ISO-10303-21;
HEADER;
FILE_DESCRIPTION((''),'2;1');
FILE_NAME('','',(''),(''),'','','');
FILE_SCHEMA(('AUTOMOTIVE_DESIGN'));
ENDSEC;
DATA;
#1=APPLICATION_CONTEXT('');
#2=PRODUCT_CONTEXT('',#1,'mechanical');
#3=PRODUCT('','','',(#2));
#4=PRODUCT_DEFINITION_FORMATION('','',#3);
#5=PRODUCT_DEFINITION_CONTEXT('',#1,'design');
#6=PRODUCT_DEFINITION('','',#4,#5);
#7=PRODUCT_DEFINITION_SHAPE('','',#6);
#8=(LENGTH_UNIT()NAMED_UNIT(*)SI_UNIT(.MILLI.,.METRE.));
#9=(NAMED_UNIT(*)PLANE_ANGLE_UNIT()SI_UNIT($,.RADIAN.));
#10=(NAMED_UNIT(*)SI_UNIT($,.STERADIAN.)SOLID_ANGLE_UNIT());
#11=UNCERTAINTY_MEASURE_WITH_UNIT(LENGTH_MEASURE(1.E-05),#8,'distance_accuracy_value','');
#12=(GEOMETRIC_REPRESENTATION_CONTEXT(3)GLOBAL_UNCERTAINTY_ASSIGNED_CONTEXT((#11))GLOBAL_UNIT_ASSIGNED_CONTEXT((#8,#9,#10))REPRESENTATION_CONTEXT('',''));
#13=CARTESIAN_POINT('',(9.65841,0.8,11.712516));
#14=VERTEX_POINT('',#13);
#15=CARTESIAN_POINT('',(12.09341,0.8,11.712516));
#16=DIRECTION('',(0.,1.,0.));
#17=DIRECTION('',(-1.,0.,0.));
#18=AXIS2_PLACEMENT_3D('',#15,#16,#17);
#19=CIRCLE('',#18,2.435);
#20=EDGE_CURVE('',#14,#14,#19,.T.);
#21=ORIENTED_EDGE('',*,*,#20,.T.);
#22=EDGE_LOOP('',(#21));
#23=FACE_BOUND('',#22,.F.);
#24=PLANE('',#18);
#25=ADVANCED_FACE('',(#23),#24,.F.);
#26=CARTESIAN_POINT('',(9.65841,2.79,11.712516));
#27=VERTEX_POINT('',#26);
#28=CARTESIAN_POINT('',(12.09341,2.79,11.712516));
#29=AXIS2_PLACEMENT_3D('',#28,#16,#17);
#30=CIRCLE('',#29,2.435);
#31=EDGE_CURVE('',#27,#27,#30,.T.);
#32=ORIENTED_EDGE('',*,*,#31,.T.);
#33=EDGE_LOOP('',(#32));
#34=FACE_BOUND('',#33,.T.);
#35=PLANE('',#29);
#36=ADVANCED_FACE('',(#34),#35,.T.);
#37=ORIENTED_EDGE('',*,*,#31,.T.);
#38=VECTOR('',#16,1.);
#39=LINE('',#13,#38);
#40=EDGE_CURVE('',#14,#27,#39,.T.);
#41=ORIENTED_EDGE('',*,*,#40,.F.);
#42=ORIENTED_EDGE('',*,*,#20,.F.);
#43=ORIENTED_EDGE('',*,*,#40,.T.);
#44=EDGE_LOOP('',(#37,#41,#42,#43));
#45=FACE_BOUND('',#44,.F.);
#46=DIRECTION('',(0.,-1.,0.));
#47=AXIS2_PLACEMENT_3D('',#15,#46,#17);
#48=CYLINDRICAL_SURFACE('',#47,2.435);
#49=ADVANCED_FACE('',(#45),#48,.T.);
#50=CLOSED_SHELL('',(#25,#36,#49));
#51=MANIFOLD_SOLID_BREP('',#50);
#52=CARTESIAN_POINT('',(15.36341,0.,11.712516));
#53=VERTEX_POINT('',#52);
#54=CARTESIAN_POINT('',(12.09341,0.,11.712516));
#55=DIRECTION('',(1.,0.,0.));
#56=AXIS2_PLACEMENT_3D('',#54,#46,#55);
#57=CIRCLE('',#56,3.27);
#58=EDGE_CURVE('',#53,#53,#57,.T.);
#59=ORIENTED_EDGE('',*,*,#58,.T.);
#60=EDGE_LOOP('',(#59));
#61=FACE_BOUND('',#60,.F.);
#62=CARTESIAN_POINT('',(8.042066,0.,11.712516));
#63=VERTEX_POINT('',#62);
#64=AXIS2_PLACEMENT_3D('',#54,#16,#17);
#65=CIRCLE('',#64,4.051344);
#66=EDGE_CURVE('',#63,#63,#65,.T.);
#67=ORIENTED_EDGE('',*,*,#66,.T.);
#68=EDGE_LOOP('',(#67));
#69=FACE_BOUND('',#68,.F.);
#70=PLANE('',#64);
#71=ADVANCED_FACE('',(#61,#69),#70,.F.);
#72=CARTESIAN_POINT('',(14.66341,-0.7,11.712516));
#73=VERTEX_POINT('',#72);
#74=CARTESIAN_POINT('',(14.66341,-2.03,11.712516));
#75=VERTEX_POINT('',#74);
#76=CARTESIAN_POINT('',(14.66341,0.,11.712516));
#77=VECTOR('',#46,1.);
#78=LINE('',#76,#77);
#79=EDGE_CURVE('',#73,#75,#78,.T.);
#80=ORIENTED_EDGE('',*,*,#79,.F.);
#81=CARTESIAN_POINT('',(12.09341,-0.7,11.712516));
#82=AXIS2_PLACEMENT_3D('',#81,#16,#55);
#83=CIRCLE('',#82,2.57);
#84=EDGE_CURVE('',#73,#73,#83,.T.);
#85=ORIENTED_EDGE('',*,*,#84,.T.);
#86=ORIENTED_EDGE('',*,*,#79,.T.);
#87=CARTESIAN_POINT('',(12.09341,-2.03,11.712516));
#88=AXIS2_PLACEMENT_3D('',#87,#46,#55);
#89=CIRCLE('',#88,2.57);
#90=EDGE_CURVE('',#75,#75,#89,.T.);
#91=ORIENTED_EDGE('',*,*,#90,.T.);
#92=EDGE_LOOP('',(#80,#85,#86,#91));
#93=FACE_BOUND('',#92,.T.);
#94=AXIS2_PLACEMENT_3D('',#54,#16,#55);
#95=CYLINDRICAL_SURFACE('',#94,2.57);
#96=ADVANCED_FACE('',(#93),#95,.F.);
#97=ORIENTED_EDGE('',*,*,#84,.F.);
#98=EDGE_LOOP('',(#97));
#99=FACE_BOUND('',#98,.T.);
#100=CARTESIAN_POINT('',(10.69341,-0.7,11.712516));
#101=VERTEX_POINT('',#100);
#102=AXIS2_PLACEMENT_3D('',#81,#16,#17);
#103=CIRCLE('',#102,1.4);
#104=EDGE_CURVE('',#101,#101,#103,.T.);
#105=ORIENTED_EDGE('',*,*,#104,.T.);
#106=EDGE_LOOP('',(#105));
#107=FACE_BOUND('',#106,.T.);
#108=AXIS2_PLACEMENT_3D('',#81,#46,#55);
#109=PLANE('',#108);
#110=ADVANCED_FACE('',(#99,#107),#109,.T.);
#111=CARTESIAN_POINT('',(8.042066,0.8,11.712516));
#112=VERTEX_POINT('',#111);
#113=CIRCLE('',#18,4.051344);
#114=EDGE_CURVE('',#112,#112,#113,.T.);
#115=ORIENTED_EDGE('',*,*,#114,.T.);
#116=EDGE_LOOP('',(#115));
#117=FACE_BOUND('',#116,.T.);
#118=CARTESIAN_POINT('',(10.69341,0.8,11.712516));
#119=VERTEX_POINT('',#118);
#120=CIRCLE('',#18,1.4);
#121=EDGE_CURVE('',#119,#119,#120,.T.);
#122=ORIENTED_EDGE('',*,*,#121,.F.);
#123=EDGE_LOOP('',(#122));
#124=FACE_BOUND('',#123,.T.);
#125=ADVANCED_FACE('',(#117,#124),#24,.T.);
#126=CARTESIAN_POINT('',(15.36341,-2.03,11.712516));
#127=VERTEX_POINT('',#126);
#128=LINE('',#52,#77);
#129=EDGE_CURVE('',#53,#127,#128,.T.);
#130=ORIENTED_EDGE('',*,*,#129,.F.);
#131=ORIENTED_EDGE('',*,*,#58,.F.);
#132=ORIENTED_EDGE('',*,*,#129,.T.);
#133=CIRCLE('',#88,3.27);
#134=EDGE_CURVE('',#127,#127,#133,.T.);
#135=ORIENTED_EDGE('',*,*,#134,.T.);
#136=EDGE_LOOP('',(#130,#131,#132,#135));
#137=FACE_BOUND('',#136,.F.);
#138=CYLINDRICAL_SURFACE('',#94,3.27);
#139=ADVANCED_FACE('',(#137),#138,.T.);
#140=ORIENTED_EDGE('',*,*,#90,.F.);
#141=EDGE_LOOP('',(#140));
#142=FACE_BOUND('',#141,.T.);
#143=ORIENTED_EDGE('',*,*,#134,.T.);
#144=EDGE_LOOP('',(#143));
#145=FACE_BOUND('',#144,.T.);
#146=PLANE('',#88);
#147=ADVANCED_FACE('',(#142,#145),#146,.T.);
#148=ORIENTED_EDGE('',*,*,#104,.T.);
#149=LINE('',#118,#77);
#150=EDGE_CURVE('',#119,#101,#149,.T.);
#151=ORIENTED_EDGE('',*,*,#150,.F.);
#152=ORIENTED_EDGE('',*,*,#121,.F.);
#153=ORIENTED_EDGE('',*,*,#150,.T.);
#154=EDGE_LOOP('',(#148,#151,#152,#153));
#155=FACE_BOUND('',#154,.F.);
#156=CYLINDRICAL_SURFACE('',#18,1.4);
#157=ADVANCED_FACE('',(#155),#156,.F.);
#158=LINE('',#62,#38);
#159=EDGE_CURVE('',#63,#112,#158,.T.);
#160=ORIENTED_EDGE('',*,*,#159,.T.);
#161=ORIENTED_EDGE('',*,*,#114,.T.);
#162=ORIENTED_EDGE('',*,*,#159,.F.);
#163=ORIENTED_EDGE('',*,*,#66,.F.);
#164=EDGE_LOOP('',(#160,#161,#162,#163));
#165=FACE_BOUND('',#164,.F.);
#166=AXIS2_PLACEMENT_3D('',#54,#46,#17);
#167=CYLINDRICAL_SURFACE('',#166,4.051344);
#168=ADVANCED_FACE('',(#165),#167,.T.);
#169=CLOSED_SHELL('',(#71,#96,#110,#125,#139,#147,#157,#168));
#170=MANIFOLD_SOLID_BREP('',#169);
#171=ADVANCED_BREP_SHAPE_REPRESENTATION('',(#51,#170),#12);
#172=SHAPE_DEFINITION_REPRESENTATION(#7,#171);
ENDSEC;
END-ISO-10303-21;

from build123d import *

# Parameters (mm, degrees)
F0_R      = 3.27
F1_DEPTH  = 2.03
F2_T      = -0.7
F3_R      = 4.0513442958
F2_FACE_R = 2.57
F4_DEPTH  = 0.8
F5_R      = 1.4
F6_DEPTH  = 25
F7_R      = 2.435
F7_R_2    = 1.4
F8_DEPTH  = 1.99


with BuildPart() as f1:
    # F0 (on Front) → F1 (new body)
    with BuildSketch(Plane.XZ):
        with Locations((12.0934098959, 11.7125157267)):
            Circle(F0_R)
    extrude(amount=F1_DEPTH)

    # F2
    f2_openings = [f1.faces().sort_by_distance(p)[0] for p in [
        (12.09341, -2.03, 11.712516),
    ]]
    offset(amount=F2_T, openings=f2_openings)

    # F3 (on face) + F2_face (on face) → F4 (join)
    with BuildSketch(Plane(origin=(0, 0, 0), x_dir=(-1, 0, 0), z_dir=(0, 1, 0))):
        with Locations((-12.0934098959, 11.7125157267)):
            Circle(F3_R)
    with BuildSketch(Plane(origin=(12.0934098959, -0.7, 11.7125157267), x_dir=(1, 0, 0), z_dir=(0, -1, 0))):
        Circle(F2_FACE_R)
    extrude(amount=F4_DEPTH, dir=(0, 1, 0))

    # F5 (on face) → F6 (cut)
    with BuildSketch(Plane(origin=(0, 0.8, 0), x_dir=(-1, 0, 0), z_dir=(0, 1, 0))):
        with Locations((-12.0934098959, 11.7125157267)):
            Circle(F5_R)
    extrude(amount=-F6_DEPTH, mode=Mode.SUBTRACT)


with BuildPart() as f8:
    # F7 (on face) → F8 (new body)
    with BuildSketch(Plane(origin=(0, 0.8, 0), x_dir=(-1, 0, 0), z_dir=(0, 1, 0))):
        with Locations((-12.0934098959, 11.7125157267)):
            Circle(F7_R)
        with Locations((-12.0934098959, 11.7125157267)):
            Circle(F7_R_2, mode=Mode.SUBTRACT)
        with Locations((-12.0934098959, 11.7125157267)):
            Circle(F7_R_2)
    extrude(amount=F8_DEPTH)


solid = Compound([f1.part, f8.part])
